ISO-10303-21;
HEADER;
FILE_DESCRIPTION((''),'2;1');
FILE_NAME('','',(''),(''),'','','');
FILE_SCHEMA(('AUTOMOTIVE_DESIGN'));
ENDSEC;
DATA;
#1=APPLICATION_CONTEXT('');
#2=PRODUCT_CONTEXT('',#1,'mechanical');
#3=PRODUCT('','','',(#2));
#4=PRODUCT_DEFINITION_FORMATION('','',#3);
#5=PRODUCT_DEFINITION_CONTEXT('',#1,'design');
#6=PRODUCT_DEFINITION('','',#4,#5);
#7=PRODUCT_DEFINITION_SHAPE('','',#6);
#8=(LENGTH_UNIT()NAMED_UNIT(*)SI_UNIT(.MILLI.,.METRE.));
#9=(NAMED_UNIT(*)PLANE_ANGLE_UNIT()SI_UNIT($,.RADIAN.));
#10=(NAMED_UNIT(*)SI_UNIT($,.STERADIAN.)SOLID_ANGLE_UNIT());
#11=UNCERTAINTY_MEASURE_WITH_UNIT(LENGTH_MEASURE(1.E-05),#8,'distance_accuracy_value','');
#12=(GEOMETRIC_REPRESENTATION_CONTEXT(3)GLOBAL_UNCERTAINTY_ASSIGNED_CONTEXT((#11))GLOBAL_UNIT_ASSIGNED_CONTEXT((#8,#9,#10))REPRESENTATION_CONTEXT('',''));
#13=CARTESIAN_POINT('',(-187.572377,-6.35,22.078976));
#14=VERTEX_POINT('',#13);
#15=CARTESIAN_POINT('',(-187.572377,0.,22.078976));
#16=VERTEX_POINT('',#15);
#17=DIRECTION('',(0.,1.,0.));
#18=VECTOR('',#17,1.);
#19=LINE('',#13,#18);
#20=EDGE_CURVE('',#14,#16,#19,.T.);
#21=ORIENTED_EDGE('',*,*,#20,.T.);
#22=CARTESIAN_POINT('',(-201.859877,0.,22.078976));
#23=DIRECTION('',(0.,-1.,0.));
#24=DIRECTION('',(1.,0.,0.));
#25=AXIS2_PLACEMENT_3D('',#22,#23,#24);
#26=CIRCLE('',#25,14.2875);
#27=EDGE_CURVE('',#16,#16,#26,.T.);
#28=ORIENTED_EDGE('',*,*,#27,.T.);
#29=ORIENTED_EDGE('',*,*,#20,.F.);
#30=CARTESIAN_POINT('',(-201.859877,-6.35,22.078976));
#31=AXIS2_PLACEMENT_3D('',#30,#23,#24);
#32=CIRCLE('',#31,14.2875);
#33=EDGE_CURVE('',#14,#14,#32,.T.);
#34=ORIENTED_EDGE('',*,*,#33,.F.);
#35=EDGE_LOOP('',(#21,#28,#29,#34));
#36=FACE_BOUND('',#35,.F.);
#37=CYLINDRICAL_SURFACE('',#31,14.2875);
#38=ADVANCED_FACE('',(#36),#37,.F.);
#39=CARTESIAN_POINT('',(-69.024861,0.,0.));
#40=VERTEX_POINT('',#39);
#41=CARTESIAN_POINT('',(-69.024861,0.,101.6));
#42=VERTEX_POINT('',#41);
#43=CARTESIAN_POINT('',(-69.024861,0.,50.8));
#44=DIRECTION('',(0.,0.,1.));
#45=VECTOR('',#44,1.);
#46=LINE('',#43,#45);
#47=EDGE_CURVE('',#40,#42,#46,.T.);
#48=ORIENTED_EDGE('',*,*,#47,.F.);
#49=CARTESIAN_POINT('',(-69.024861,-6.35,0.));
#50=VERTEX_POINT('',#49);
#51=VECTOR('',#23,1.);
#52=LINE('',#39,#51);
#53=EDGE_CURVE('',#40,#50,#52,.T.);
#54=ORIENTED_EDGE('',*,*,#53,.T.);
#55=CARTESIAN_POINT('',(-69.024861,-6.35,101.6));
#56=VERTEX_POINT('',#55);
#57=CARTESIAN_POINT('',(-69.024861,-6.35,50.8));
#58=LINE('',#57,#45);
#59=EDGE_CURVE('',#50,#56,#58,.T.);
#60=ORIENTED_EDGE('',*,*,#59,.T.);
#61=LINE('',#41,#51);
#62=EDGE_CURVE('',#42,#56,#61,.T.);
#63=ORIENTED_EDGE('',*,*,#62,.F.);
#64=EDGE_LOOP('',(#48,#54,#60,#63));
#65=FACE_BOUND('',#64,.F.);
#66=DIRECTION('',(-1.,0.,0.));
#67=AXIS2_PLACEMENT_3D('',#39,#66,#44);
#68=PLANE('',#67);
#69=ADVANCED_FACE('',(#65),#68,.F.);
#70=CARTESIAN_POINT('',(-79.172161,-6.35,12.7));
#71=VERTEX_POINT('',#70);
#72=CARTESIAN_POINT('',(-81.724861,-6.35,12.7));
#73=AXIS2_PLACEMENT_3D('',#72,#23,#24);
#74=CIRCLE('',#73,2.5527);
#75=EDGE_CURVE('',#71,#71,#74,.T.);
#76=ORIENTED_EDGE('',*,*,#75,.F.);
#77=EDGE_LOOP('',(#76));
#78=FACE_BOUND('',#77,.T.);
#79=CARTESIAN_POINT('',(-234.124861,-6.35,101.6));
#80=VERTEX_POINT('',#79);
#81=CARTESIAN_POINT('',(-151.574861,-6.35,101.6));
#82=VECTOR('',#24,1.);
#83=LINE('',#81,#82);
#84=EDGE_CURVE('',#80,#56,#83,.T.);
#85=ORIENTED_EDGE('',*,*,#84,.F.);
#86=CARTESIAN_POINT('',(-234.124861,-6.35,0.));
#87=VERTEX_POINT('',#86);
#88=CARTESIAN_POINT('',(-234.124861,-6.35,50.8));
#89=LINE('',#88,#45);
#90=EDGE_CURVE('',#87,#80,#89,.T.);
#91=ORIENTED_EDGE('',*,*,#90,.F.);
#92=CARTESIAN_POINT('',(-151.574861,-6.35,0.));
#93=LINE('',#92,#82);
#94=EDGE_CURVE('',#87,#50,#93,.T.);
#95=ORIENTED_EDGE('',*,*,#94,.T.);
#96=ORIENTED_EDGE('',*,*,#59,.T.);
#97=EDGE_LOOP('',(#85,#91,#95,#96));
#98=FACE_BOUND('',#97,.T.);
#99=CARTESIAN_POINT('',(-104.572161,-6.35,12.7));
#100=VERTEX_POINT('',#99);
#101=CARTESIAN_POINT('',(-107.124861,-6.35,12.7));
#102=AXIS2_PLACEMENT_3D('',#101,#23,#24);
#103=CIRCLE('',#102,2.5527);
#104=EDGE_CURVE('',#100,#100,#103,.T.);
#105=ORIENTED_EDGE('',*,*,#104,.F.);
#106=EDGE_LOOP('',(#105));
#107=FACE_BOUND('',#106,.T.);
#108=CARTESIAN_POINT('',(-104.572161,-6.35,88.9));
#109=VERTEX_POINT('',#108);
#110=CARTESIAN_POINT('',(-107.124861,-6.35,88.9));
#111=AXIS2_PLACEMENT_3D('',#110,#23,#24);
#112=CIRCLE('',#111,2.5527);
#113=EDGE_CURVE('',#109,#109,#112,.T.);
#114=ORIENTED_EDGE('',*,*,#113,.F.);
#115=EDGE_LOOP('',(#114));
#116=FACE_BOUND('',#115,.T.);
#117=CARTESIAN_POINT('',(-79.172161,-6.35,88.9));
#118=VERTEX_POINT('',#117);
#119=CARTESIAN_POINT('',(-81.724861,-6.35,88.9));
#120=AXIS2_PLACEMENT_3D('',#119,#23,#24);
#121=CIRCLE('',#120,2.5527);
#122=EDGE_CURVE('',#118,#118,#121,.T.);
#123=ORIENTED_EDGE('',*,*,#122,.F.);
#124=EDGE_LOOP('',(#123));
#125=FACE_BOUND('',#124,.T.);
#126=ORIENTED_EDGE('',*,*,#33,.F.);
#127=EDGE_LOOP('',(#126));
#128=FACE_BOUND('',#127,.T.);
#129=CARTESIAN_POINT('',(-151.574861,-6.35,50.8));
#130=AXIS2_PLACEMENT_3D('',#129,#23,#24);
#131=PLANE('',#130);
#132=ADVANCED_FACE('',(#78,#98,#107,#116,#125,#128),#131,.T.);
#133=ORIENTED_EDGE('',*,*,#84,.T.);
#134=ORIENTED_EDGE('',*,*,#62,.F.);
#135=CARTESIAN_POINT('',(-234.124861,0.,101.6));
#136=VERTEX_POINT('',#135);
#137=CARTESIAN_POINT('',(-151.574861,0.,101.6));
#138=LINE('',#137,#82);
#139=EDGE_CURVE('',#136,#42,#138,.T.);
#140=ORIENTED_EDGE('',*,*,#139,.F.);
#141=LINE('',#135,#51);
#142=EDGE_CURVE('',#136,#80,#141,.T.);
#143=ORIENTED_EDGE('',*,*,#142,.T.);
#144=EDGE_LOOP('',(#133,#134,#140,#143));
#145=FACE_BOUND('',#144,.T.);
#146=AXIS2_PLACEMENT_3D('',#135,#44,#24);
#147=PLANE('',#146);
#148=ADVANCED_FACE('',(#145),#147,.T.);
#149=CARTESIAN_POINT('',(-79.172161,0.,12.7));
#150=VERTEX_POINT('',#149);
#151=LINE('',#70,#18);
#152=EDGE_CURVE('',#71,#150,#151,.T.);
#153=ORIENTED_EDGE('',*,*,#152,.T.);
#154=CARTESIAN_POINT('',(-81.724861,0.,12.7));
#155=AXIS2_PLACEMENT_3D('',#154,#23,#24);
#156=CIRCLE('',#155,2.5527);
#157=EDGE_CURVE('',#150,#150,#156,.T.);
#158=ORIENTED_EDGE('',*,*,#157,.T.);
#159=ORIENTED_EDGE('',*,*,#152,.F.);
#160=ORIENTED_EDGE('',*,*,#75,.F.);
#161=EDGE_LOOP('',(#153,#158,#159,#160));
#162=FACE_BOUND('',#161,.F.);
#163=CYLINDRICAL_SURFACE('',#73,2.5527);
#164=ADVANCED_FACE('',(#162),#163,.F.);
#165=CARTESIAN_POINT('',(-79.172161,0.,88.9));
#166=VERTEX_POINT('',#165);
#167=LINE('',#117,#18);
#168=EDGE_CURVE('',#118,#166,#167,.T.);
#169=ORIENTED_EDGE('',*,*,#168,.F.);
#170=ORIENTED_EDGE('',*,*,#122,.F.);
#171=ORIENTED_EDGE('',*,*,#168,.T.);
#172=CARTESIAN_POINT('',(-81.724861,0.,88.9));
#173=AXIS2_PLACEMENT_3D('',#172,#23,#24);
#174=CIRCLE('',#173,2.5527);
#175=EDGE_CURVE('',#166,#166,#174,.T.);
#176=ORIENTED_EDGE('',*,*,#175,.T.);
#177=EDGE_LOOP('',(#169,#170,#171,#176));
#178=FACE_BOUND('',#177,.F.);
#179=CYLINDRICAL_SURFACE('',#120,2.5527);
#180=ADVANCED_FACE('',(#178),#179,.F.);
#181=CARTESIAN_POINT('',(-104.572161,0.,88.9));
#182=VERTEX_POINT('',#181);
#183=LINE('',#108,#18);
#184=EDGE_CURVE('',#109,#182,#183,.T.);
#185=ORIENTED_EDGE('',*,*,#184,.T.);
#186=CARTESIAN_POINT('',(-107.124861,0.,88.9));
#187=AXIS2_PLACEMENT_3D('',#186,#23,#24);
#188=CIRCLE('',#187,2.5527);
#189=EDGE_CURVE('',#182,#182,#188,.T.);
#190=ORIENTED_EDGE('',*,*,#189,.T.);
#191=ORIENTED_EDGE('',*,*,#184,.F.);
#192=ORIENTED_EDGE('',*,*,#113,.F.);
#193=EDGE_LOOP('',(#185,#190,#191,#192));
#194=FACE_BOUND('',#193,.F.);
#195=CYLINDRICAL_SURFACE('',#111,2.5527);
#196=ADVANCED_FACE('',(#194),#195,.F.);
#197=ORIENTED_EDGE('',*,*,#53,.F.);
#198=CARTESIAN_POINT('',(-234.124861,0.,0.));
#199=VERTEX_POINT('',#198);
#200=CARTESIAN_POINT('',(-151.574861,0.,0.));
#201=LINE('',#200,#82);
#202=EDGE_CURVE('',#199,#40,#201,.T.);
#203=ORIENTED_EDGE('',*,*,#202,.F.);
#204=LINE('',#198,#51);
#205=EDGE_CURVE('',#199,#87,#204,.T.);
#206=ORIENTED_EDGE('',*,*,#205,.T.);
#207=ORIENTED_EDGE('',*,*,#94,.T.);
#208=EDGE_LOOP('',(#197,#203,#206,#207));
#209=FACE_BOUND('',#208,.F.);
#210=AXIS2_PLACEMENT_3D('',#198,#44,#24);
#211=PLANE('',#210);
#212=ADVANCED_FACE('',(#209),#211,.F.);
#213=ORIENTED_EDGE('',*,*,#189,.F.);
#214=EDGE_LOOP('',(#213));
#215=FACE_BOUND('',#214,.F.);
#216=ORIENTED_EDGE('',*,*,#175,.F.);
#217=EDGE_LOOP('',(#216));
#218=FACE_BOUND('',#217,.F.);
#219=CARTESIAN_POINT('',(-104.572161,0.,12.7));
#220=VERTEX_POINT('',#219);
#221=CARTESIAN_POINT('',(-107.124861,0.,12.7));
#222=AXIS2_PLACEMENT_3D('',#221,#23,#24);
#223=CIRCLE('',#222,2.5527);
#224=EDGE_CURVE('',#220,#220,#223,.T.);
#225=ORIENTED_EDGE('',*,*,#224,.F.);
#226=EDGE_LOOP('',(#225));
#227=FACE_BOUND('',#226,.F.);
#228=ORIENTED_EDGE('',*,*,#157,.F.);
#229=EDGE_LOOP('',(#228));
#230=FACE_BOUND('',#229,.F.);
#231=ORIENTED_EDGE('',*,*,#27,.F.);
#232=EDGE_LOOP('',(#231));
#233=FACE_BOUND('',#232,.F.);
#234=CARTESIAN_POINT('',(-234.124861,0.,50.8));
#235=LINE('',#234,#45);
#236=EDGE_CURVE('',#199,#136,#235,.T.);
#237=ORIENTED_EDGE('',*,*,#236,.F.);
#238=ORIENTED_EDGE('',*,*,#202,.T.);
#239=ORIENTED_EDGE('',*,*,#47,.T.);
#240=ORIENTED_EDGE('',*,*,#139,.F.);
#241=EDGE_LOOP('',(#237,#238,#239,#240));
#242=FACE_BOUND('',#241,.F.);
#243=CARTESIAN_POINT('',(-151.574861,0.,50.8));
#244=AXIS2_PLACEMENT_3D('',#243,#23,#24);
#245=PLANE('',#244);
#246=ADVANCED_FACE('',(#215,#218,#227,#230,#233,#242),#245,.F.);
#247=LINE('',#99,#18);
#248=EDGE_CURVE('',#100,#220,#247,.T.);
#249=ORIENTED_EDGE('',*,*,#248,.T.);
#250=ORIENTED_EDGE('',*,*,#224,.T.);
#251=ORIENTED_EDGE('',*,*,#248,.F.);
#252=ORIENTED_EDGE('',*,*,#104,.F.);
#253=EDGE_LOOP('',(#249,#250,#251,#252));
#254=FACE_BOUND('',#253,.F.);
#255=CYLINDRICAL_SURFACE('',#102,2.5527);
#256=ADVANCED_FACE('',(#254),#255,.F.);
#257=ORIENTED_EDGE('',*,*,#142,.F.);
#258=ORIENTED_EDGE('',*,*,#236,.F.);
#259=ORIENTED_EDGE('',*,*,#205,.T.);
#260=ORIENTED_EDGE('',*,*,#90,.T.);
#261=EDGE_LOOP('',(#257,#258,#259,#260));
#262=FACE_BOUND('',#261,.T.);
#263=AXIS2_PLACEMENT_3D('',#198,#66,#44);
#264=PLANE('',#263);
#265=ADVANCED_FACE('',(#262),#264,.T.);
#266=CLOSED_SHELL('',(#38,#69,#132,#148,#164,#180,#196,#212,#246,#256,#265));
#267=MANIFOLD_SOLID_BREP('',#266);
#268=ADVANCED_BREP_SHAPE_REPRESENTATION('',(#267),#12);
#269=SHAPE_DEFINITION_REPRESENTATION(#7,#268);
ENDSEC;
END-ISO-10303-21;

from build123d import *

# Parameters (mm, degrees)
F0_W     = 165.1
F0_H     = 101.6
F1_DEPTH = 6.35
F2_R     = 2.5527
F3_DEPTH = 25.4
F4_R     = 14.2875
F5_DEPTH = 25.4


with BuildPart() as f1:
    # F0 (on Front) → F1 (new body)
    with BuildSketch(Plane.XZ):
        with Locations((-151.574861, 50.8)):
            Rectangle(F0_W, F0_H)
    extrude(amount=F1_DEPTH)

    # F2 (on face) → F3 (cut)
    with BuildSketch(Plane.XZ.offset(6.35)):
        with Locations((-107.124861, 12.7)):
            Circle(F2_R)
        with Locations((-81.724861, 12.7)):
            Circle(F2_R)
        with Locations((-107.124861, 88.9)):
            Circle(F2_R)
        with Locations((-81.724861, 88.9)):
            Circle(F2_R)
    extrude(amount=-F3_DEPTH, mode=Mode.SUBTRACT)

    # F4 (on face) → F5 (cut)
    with BuildSketch(Plane.XZ.offset(6.35)):
        with Locations((-201.859877, 22.078976)):
            Circle(F4_R)
    extrude(amount=-F5_DEPTH, mode=Mode.SUBTRACT)


solid = f1.part
